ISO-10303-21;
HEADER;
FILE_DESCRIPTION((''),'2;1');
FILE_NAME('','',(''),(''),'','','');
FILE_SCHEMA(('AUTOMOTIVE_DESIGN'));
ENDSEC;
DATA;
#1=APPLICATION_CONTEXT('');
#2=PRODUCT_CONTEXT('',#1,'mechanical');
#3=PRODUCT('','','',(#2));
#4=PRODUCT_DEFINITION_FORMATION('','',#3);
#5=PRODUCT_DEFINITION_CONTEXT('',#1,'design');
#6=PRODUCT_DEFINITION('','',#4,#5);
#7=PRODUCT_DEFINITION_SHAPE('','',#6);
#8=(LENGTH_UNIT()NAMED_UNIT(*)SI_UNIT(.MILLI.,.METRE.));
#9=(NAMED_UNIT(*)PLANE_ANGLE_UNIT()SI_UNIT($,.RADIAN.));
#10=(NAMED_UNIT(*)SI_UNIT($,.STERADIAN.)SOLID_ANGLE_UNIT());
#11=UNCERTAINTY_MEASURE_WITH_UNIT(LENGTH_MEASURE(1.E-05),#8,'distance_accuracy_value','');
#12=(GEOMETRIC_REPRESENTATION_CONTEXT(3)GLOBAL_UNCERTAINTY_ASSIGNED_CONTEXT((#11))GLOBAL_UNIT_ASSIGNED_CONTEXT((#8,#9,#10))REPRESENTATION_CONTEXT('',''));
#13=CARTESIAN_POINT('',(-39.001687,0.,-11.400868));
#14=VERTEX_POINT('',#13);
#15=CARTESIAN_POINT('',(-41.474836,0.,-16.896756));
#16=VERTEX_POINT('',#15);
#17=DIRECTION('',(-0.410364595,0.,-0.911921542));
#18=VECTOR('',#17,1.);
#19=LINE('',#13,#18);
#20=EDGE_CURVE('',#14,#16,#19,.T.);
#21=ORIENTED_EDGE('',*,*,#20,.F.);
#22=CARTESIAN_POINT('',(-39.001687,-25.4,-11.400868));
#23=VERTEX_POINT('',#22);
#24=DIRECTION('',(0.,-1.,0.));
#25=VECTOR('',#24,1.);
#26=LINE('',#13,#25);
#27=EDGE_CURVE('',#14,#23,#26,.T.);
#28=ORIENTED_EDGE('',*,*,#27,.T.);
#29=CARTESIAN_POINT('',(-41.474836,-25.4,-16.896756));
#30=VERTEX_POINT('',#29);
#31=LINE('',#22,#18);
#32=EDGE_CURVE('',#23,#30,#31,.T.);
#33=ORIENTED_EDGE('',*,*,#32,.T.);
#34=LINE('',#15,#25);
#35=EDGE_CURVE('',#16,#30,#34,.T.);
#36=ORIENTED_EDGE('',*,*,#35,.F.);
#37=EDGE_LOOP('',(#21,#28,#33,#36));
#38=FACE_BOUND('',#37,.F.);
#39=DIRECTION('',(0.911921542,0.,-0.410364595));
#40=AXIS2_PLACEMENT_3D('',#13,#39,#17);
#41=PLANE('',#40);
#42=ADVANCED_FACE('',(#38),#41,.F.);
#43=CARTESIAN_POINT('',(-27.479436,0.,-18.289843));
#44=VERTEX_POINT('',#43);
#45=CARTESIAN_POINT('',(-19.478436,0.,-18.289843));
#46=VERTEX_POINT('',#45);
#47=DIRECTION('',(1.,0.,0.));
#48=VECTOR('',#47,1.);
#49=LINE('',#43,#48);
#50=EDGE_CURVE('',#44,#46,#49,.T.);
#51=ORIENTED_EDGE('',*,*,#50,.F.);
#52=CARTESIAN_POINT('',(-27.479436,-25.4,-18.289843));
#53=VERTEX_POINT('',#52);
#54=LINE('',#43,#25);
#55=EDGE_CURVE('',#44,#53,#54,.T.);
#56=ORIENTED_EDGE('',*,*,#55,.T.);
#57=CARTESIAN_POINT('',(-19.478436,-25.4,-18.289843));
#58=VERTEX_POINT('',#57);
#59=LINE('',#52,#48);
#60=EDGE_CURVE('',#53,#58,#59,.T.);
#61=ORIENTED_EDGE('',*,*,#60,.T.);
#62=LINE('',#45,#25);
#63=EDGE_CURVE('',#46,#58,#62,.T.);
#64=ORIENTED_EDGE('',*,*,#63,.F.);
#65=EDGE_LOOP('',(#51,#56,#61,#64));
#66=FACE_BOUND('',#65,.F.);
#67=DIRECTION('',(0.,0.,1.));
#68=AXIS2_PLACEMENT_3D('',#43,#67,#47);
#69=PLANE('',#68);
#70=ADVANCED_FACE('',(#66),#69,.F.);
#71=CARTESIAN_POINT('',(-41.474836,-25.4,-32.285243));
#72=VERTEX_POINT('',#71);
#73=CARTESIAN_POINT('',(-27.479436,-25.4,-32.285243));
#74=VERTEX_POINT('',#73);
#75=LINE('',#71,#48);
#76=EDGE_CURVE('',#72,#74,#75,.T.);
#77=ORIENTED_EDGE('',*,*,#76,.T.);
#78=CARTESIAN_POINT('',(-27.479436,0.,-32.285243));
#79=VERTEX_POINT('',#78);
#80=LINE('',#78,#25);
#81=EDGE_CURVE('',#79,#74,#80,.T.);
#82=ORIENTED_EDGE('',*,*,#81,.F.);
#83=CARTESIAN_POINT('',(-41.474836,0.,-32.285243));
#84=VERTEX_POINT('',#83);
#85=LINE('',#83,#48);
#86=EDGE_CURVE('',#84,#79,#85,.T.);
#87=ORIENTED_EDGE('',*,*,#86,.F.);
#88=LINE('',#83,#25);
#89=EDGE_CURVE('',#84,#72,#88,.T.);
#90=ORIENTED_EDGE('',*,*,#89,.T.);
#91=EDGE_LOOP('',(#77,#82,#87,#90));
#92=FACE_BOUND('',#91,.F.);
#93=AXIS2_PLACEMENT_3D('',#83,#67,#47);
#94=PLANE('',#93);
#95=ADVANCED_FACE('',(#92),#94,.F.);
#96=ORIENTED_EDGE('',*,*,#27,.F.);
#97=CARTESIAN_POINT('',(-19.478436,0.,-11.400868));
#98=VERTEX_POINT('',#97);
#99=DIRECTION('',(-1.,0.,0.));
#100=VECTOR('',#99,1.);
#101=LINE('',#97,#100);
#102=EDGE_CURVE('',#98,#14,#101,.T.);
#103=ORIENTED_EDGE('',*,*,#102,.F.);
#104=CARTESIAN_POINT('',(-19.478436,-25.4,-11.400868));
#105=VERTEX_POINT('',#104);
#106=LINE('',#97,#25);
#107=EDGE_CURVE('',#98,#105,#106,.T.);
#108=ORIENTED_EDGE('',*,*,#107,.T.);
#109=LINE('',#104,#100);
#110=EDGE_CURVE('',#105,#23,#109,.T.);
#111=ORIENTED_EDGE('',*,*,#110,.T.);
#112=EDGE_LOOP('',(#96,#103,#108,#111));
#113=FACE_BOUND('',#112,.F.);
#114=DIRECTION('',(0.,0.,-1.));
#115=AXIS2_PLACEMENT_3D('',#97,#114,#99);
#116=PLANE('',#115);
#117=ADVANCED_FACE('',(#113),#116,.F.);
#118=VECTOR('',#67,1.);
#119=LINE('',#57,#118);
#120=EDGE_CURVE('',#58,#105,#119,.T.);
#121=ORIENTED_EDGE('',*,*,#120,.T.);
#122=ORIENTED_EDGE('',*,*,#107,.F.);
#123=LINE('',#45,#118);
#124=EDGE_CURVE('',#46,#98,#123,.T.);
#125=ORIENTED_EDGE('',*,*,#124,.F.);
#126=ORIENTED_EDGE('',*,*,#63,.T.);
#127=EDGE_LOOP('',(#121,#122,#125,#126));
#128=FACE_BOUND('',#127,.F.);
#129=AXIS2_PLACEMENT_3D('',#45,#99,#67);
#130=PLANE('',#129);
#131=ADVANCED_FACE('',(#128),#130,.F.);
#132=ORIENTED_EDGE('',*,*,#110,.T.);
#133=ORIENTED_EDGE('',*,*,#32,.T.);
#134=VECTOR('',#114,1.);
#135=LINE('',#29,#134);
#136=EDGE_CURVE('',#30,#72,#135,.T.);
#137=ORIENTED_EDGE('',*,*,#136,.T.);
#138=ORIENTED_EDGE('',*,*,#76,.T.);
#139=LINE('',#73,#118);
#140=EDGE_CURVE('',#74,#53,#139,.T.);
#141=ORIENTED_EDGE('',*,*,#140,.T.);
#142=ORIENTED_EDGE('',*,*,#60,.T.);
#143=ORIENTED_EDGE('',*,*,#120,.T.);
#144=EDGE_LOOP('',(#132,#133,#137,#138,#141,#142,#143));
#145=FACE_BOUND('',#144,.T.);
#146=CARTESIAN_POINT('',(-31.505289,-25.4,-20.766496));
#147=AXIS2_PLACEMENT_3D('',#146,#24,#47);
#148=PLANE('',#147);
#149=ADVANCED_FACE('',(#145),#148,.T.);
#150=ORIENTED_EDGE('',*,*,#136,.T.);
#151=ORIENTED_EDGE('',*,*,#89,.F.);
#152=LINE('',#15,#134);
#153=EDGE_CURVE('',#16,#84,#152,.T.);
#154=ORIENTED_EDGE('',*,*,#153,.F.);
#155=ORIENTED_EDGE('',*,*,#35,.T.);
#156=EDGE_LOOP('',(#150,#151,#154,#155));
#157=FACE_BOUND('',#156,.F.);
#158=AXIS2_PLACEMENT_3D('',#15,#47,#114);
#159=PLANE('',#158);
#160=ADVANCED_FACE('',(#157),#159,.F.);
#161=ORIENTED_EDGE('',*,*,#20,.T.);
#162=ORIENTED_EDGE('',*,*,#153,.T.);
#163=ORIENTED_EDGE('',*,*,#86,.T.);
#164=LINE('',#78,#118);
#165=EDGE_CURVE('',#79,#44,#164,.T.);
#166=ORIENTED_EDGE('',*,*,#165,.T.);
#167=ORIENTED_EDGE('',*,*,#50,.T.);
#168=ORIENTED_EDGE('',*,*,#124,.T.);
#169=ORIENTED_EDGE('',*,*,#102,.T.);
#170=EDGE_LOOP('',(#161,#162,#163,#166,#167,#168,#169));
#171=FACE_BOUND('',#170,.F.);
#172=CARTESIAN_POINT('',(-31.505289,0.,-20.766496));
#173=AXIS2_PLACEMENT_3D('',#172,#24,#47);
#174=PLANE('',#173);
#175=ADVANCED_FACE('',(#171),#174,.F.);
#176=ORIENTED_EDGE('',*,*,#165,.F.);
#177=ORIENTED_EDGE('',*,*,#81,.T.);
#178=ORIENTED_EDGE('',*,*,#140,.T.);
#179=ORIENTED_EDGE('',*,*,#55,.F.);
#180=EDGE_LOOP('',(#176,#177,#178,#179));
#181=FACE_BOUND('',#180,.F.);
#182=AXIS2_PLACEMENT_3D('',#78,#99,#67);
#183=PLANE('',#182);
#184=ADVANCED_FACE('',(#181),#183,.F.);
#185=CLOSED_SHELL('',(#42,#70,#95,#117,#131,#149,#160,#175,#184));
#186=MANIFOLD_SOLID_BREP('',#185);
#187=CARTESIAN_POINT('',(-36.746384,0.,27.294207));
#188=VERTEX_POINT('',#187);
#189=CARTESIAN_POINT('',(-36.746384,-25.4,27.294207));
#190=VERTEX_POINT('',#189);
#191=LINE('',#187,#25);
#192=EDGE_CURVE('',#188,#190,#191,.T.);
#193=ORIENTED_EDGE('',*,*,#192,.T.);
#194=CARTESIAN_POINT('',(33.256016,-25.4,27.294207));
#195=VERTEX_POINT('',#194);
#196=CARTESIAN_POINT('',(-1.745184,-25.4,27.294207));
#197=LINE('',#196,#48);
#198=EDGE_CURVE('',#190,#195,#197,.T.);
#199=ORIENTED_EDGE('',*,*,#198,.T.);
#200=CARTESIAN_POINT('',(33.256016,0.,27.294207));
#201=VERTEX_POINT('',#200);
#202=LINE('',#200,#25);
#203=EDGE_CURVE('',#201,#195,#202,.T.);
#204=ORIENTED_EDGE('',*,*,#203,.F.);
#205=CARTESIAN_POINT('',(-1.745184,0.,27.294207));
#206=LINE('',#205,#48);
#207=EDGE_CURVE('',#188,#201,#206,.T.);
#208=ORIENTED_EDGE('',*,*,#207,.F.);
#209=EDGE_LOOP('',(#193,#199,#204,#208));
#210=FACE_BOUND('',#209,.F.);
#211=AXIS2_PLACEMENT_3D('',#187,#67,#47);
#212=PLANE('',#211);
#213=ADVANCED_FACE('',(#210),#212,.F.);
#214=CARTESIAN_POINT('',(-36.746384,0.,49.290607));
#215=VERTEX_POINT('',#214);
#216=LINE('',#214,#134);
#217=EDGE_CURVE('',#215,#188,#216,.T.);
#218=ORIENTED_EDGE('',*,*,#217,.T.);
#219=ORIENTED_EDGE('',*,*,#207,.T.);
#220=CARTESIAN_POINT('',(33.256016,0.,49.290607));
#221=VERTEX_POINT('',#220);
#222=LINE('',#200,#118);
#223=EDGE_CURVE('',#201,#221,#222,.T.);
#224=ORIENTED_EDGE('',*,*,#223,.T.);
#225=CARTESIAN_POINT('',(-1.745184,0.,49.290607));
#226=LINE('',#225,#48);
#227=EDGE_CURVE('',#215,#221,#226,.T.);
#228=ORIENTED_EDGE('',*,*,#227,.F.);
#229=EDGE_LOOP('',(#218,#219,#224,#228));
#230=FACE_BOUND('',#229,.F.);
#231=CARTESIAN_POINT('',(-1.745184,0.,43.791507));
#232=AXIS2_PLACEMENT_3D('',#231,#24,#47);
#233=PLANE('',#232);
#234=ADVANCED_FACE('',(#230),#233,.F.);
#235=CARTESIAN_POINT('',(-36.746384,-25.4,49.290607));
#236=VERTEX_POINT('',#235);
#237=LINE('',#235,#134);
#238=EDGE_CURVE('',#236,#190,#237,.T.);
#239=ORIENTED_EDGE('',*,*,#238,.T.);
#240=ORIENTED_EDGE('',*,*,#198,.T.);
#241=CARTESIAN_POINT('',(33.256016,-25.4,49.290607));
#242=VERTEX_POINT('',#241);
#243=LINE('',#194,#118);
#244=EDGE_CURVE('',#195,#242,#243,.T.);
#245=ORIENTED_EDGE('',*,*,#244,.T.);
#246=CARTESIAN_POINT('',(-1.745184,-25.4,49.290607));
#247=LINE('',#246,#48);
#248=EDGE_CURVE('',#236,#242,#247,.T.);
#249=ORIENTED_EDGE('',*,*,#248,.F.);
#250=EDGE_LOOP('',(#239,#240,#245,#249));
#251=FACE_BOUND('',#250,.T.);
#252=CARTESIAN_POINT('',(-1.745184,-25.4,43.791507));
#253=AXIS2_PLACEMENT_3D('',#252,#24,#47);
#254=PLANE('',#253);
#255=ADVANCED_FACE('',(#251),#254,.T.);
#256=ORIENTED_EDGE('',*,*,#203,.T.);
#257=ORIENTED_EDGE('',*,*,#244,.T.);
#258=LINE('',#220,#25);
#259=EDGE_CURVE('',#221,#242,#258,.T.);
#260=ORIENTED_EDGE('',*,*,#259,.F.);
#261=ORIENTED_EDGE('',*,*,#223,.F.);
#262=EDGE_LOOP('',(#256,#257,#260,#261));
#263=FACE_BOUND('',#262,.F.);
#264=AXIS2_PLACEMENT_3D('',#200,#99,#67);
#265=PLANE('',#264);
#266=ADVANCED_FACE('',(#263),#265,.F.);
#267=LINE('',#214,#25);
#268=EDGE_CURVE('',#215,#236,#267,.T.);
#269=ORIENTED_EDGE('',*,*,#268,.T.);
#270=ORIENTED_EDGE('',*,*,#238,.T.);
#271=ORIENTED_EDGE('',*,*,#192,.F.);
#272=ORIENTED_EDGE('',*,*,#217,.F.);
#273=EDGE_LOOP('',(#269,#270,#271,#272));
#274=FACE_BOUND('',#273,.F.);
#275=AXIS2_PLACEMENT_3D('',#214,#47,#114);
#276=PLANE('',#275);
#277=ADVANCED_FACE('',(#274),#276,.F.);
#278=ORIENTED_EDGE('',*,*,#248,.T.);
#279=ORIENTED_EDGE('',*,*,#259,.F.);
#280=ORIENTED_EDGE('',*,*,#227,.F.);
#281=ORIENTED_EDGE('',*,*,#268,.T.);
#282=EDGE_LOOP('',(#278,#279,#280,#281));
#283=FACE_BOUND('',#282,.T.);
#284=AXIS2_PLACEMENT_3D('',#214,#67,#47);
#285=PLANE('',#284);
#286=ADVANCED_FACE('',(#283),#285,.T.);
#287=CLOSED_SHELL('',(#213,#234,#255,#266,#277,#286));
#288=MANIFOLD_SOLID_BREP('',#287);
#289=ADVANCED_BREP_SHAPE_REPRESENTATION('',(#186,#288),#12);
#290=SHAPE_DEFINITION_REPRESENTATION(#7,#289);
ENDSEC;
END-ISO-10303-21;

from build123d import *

# Parameters (mm, degrees)
F0_W     = 70.0024
F0_H     = 10.9982
F1_DEPTH = 25.4


with BuildPart() as f1:
    # F0 (on Front) → F1 (new body)
    with BuildSketch(Plane.XZ):
        with Locations((-1.745184, 43.791507)):
            Rectangle(F0_W, F0_H)
        with Locations((-1.745184, 32.793307)):
            Rectangle(F0_W, F0_H)
        Polygon((-39.001687, -11.400868), (-41.474836, -16.896756), (-41.474836, -32.285243), (-27.479436, -32.285243), (-27.479436, -18.289843), (-19.478436, -18.289843), (-19.478436, -11.400868), align=None)
    extrude(amount=F1_DEPTH)


solid = f1.part
